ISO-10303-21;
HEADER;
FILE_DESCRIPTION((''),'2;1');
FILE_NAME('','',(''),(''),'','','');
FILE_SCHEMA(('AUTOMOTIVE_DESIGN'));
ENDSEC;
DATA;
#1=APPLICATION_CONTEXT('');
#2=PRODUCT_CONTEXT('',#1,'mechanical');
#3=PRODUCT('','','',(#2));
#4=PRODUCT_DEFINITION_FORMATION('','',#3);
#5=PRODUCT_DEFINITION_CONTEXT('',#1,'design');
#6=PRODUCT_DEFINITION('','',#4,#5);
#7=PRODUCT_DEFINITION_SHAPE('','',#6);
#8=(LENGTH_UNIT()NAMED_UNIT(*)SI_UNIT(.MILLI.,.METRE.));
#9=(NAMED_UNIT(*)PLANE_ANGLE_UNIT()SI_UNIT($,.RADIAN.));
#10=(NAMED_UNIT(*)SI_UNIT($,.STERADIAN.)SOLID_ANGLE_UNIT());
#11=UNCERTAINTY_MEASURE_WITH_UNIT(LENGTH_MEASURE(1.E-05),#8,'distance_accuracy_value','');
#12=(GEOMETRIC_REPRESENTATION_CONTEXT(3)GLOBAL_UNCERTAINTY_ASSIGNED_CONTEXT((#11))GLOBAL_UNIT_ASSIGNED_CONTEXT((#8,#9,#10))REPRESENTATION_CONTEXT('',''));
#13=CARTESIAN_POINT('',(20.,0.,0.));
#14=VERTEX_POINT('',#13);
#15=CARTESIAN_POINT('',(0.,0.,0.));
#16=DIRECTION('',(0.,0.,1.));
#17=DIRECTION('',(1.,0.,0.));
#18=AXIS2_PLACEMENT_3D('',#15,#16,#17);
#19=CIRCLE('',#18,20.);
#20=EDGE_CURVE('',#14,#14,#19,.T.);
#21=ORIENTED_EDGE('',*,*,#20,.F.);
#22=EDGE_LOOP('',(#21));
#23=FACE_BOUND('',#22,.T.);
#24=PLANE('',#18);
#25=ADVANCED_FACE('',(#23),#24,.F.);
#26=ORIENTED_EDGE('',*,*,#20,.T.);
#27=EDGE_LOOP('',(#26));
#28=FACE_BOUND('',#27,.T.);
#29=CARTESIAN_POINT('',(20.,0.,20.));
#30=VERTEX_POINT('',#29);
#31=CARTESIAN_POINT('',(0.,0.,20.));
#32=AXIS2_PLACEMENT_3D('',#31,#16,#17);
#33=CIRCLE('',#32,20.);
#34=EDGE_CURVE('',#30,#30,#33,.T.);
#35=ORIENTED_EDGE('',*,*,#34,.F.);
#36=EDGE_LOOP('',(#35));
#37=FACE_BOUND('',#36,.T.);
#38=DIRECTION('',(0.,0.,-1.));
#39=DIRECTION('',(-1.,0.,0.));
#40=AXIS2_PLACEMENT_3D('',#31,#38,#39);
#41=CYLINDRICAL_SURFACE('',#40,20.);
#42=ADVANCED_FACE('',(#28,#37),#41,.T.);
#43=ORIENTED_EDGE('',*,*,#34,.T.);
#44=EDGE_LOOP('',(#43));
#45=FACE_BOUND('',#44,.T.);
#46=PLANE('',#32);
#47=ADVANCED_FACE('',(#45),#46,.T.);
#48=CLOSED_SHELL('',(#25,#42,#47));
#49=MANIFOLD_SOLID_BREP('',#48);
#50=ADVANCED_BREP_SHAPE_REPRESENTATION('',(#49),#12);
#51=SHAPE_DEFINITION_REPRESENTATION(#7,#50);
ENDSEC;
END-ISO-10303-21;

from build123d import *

# Parameters (mm, degrees)
SKETCH1_R           = 20
BOSS_EXTRUDE1_DEPTH = 20


with BuildPart() as part:
    # Sketch1 → Boss-Extrude1 (new body)
    with BuildSketch(Plane.XY):
        Circle(SKETCH1_R)
    extrude(amount=BOSS_EXTRUDE1_DEPTH)


solid = part.part
